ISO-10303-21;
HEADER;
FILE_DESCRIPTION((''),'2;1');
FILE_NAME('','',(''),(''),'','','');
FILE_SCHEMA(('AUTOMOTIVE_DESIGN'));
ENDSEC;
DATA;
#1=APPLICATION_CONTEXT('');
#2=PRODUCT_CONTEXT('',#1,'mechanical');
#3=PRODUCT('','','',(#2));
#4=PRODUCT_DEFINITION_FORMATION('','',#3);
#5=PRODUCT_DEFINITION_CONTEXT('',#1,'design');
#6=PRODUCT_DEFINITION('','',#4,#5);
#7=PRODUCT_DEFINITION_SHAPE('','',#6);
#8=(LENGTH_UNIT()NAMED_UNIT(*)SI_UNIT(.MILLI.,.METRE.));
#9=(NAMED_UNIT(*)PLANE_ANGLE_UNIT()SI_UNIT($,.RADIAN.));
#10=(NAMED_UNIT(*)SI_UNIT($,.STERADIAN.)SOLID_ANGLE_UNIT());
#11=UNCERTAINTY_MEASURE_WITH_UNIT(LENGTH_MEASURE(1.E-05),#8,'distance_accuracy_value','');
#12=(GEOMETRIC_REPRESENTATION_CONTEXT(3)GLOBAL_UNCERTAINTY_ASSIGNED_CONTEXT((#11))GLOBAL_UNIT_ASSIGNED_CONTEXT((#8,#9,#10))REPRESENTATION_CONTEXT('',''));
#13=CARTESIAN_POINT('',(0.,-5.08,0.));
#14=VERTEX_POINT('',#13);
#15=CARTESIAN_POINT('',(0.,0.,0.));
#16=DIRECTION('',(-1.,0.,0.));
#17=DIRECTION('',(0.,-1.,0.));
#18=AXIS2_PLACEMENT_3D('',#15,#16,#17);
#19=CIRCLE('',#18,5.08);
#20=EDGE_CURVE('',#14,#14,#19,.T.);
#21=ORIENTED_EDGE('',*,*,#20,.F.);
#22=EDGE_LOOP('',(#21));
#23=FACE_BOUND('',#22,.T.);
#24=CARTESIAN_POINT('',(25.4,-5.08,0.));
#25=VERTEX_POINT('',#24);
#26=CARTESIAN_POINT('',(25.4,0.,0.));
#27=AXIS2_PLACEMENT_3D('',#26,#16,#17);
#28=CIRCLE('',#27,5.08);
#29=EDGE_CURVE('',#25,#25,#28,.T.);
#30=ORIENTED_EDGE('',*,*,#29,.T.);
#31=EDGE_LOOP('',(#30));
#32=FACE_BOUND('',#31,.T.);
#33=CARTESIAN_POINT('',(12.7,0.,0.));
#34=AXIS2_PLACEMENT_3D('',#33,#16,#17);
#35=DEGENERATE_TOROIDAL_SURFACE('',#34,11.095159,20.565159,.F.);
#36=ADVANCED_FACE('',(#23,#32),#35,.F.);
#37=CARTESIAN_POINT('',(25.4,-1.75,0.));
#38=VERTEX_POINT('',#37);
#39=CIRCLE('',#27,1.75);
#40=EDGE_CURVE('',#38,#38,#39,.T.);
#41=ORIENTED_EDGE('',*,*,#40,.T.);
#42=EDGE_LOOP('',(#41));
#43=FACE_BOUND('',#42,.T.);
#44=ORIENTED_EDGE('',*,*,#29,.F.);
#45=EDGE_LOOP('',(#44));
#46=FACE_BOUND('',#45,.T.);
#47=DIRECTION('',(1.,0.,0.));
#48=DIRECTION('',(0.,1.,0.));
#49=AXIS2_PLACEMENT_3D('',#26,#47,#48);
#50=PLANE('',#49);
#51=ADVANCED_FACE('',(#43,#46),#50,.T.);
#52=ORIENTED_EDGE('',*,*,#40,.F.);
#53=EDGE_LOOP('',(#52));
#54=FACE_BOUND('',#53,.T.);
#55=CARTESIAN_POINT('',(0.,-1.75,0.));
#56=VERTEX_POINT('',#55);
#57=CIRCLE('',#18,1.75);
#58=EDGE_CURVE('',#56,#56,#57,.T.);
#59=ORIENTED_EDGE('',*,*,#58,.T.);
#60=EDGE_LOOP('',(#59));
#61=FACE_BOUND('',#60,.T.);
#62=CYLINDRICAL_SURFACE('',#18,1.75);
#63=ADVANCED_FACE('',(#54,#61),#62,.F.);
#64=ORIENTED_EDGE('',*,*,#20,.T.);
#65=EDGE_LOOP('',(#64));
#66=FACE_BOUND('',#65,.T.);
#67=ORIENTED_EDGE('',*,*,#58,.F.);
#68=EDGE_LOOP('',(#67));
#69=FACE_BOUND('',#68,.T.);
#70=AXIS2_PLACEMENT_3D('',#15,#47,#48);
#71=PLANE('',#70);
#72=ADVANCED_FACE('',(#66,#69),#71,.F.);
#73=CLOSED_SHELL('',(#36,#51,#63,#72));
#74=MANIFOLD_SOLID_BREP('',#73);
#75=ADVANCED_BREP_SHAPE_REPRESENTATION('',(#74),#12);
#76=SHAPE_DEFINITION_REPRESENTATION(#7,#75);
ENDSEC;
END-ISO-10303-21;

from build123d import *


with BuildPart() as part:
    # Sketch1 → Revolve1 (revolve)
    with BuildSketch(Plane.XY, mode=Mode.PRIVATE) as revolve1_sk:
        with BuildLine():
            Line((0, 1.75), (25.4, 1.75))
            Line((25.4, 1.75), (25.4, 5.08))
            ThreePointArc((25.4, 5.08), (12.7, 9.47), (0, 5.08))
            Line((0, 5.08), (0, 1.75))
        make_face()
    revolve(revolve1_sk.sketch.rotate(Axis((0, 0, 0), (1, 0, 0)), 180), axis=Axis((0, 0, 0), (1, 0, 0)))


solid = part.part
